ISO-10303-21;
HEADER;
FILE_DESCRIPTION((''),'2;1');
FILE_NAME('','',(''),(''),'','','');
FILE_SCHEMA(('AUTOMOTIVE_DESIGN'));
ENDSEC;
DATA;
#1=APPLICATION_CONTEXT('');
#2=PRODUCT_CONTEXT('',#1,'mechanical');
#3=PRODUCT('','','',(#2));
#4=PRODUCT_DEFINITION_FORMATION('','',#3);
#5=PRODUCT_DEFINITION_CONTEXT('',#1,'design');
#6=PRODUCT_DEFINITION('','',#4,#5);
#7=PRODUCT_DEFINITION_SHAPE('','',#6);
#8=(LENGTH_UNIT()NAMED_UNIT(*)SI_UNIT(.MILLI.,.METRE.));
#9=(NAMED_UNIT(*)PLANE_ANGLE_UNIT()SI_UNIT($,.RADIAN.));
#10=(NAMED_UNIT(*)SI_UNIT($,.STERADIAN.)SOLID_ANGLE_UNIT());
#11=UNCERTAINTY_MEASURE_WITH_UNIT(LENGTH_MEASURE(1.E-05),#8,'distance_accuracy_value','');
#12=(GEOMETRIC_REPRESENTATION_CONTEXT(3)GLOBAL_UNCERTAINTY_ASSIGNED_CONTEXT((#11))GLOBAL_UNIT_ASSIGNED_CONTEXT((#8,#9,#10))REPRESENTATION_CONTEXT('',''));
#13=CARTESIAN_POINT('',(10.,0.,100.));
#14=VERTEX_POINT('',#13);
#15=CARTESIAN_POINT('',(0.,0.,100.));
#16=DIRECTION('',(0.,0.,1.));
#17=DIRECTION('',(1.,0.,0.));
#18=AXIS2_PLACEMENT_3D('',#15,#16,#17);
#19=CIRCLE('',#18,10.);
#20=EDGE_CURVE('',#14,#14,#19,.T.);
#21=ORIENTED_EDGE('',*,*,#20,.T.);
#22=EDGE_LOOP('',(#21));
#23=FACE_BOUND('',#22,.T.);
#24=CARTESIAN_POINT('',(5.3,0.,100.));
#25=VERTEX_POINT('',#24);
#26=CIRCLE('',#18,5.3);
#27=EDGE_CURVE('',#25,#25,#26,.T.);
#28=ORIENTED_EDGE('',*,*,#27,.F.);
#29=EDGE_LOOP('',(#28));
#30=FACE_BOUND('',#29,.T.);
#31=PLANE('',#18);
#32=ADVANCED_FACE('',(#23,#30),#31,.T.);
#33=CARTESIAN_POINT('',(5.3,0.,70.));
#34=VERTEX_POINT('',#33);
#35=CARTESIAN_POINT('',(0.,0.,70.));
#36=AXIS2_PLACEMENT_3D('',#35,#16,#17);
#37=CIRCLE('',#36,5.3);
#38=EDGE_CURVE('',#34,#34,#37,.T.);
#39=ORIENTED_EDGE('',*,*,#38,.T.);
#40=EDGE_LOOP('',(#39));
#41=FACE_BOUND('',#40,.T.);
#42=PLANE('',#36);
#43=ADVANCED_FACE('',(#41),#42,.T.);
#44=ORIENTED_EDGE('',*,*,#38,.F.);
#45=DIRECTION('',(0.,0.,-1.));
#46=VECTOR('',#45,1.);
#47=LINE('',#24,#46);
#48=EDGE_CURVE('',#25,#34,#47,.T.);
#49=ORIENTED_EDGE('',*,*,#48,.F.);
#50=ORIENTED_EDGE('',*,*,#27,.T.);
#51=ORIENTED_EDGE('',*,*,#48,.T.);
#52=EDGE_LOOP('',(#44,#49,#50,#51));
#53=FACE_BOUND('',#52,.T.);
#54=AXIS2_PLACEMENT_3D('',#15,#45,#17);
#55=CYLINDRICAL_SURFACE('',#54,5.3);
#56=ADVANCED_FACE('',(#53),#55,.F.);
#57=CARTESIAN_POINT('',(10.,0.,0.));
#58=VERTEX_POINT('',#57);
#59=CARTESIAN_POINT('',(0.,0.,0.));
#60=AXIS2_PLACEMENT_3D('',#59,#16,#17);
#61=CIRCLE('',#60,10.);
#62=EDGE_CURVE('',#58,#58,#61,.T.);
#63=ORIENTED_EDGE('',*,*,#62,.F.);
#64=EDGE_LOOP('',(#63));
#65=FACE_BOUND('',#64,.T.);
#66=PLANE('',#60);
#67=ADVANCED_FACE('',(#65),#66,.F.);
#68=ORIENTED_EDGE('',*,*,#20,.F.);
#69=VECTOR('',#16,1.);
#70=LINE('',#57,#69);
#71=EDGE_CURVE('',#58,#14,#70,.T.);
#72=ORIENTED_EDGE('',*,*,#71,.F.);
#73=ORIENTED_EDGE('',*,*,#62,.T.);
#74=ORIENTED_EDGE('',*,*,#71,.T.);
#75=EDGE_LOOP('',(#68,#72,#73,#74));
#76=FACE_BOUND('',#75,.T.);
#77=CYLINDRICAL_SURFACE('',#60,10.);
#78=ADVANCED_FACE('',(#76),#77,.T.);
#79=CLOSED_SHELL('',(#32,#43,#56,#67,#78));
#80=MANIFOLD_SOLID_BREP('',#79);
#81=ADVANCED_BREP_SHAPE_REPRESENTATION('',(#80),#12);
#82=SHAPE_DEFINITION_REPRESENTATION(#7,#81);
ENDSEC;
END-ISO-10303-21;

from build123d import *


with BuildPart() as part:
    # Sketch → Revolution (revolve)
    with BuildSketch(Plane.XZ):
        Polygon((0, 70), (0, 0), (10, 0), (10, 100), (5.3, 100), (5.3, 70), align=None)
    revolve(axis=Axis((0, 0, 0), (0, 0, 1)))


solid = part.part
